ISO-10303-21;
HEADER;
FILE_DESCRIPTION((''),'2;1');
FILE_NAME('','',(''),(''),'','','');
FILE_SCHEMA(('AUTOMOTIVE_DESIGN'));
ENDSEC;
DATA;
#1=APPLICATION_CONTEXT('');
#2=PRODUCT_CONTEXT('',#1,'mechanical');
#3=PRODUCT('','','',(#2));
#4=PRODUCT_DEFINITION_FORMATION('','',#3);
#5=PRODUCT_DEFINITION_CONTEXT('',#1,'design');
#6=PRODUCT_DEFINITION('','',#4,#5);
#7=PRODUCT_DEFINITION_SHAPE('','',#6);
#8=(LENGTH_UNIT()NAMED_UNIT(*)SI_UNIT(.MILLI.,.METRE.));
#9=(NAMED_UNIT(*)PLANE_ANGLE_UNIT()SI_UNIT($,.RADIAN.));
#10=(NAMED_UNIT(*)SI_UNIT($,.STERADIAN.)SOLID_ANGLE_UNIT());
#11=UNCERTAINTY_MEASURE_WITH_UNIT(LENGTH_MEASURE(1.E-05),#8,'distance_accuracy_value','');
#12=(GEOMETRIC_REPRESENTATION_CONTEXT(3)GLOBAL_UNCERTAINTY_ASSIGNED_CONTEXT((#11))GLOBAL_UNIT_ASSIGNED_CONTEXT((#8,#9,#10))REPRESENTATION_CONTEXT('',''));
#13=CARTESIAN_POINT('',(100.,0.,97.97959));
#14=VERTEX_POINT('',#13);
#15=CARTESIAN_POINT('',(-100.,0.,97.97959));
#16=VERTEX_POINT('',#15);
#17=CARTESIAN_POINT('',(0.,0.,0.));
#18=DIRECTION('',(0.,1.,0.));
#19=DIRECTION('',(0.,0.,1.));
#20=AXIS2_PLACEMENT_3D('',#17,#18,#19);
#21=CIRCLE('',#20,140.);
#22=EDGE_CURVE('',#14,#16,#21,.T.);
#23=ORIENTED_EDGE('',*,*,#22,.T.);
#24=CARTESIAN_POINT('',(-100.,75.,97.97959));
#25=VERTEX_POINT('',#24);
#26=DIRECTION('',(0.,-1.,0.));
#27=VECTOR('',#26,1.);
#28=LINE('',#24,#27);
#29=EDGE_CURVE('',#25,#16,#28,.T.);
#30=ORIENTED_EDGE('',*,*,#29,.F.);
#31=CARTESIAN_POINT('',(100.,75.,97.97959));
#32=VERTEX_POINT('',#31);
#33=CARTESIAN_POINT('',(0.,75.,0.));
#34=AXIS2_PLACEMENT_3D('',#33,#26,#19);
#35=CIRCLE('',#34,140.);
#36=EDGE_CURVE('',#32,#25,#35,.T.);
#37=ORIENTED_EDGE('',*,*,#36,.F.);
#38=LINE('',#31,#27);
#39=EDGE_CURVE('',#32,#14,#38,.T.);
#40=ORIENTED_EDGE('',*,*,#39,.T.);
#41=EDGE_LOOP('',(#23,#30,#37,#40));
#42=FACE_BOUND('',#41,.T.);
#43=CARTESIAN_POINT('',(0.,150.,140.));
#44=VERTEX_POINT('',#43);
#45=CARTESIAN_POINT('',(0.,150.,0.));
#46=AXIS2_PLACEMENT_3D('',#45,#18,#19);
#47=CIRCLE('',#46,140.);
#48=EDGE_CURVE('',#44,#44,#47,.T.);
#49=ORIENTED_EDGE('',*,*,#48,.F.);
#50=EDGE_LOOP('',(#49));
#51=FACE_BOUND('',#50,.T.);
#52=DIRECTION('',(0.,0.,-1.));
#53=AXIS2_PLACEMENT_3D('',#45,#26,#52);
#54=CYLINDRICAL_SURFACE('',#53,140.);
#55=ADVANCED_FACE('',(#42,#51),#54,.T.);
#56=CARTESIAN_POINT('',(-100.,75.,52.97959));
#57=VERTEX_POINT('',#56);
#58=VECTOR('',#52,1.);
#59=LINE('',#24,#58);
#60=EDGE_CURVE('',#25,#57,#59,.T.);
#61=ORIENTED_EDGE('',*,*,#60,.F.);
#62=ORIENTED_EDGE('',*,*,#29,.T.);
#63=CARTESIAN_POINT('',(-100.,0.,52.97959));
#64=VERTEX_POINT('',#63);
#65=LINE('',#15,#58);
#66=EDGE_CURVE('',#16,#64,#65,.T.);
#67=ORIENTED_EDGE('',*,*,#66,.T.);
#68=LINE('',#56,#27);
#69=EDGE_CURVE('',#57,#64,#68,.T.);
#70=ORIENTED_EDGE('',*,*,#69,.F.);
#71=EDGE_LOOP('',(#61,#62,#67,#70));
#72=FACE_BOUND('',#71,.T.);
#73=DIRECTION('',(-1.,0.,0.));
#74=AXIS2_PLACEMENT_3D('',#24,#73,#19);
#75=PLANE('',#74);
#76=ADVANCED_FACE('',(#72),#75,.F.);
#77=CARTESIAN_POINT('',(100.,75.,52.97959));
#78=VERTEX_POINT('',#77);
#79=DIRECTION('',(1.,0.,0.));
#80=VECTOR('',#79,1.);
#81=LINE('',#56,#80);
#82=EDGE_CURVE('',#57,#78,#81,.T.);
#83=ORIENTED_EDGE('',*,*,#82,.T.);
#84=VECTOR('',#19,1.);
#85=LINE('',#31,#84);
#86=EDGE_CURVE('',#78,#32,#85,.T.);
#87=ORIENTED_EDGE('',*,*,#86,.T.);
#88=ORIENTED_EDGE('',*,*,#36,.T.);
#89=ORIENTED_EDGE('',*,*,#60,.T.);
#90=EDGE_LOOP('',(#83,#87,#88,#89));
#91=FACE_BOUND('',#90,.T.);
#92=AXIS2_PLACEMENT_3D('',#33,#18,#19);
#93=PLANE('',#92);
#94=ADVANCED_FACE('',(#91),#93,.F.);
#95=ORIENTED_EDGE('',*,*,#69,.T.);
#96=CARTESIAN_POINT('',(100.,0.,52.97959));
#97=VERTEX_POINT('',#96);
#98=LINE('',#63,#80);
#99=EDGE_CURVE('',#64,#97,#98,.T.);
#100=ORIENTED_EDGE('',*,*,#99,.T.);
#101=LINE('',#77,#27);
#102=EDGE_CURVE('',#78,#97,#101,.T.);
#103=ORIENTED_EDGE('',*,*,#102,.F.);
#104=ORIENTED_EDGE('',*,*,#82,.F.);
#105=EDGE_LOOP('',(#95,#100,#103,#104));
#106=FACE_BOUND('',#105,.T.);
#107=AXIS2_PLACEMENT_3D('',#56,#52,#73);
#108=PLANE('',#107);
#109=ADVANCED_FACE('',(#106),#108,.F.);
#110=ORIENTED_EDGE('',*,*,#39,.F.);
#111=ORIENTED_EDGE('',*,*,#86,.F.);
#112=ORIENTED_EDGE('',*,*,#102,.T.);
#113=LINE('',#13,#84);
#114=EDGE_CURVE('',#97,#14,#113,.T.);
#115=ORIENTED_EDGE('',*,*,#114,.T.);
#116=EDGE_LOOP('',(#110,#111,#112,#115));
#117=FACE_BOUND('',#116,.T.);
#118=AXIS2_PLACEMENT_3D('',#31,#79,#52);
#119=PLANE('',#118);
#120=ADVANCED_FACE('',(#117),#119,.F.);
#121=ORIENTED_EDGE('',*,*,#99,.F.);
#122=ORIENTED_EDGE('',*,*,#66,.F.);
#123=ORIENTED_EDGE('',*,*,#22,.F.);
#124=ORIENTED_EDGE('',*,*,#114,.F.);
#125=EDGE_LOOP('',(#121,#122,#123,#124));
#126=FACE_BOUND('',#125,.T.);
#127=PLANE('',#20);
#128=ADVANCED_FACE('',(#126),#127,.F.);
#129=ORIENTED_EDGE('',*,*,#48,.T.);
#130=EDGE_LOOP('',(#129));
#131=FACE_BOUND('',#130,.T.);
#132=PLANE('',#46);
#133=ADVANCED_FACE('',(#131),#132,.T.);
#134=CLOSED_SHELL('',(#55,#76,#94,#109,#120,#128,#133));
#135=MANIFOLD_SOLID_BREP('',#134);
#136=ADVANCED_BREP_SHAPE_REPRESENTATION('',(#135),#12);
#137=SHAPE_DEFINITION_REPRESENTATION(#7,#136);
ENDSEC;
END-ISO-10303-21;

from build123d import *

# Parameters (mm, degrees)
SKETCH1_R           = 140
BOSS_EXTRUDE1_DEPTH = 150
CUT_EXTRUDE1_DEPTH  = 75


with BuildPart() as part:
    # Sketch1 → Boss-Extrude1 (new body)
    with BuildSketch(Plane(origin=(0, 0, 0), x_dir=(1, 0, 0), z_dir=(0, 1, 0))):
        Circle(SKETCH1_R)
    extrude(amount=BOSS_EXTRUDE1_DEPTH)

    # Sketch2 → Cut-Extrude1 (cut)
    with BuildSketch(Plane.XZ):
        with BuildLine():
            Line((-100, 97.979589711), (-100, 52.979589711))
            Line((-100, 52.979589711), (100, 52.979589711))
            Line((100, 52.979589711), (100, 97.979589711))
            ThreePointArc((100, 97.979589711), (0, 140), (-100, 97.979589711))
        make_face()
    extrude(amount=-CUT_EXTRUDE1_DEPTH, mode=Mode.SUBTRACT)


solid = part.part
